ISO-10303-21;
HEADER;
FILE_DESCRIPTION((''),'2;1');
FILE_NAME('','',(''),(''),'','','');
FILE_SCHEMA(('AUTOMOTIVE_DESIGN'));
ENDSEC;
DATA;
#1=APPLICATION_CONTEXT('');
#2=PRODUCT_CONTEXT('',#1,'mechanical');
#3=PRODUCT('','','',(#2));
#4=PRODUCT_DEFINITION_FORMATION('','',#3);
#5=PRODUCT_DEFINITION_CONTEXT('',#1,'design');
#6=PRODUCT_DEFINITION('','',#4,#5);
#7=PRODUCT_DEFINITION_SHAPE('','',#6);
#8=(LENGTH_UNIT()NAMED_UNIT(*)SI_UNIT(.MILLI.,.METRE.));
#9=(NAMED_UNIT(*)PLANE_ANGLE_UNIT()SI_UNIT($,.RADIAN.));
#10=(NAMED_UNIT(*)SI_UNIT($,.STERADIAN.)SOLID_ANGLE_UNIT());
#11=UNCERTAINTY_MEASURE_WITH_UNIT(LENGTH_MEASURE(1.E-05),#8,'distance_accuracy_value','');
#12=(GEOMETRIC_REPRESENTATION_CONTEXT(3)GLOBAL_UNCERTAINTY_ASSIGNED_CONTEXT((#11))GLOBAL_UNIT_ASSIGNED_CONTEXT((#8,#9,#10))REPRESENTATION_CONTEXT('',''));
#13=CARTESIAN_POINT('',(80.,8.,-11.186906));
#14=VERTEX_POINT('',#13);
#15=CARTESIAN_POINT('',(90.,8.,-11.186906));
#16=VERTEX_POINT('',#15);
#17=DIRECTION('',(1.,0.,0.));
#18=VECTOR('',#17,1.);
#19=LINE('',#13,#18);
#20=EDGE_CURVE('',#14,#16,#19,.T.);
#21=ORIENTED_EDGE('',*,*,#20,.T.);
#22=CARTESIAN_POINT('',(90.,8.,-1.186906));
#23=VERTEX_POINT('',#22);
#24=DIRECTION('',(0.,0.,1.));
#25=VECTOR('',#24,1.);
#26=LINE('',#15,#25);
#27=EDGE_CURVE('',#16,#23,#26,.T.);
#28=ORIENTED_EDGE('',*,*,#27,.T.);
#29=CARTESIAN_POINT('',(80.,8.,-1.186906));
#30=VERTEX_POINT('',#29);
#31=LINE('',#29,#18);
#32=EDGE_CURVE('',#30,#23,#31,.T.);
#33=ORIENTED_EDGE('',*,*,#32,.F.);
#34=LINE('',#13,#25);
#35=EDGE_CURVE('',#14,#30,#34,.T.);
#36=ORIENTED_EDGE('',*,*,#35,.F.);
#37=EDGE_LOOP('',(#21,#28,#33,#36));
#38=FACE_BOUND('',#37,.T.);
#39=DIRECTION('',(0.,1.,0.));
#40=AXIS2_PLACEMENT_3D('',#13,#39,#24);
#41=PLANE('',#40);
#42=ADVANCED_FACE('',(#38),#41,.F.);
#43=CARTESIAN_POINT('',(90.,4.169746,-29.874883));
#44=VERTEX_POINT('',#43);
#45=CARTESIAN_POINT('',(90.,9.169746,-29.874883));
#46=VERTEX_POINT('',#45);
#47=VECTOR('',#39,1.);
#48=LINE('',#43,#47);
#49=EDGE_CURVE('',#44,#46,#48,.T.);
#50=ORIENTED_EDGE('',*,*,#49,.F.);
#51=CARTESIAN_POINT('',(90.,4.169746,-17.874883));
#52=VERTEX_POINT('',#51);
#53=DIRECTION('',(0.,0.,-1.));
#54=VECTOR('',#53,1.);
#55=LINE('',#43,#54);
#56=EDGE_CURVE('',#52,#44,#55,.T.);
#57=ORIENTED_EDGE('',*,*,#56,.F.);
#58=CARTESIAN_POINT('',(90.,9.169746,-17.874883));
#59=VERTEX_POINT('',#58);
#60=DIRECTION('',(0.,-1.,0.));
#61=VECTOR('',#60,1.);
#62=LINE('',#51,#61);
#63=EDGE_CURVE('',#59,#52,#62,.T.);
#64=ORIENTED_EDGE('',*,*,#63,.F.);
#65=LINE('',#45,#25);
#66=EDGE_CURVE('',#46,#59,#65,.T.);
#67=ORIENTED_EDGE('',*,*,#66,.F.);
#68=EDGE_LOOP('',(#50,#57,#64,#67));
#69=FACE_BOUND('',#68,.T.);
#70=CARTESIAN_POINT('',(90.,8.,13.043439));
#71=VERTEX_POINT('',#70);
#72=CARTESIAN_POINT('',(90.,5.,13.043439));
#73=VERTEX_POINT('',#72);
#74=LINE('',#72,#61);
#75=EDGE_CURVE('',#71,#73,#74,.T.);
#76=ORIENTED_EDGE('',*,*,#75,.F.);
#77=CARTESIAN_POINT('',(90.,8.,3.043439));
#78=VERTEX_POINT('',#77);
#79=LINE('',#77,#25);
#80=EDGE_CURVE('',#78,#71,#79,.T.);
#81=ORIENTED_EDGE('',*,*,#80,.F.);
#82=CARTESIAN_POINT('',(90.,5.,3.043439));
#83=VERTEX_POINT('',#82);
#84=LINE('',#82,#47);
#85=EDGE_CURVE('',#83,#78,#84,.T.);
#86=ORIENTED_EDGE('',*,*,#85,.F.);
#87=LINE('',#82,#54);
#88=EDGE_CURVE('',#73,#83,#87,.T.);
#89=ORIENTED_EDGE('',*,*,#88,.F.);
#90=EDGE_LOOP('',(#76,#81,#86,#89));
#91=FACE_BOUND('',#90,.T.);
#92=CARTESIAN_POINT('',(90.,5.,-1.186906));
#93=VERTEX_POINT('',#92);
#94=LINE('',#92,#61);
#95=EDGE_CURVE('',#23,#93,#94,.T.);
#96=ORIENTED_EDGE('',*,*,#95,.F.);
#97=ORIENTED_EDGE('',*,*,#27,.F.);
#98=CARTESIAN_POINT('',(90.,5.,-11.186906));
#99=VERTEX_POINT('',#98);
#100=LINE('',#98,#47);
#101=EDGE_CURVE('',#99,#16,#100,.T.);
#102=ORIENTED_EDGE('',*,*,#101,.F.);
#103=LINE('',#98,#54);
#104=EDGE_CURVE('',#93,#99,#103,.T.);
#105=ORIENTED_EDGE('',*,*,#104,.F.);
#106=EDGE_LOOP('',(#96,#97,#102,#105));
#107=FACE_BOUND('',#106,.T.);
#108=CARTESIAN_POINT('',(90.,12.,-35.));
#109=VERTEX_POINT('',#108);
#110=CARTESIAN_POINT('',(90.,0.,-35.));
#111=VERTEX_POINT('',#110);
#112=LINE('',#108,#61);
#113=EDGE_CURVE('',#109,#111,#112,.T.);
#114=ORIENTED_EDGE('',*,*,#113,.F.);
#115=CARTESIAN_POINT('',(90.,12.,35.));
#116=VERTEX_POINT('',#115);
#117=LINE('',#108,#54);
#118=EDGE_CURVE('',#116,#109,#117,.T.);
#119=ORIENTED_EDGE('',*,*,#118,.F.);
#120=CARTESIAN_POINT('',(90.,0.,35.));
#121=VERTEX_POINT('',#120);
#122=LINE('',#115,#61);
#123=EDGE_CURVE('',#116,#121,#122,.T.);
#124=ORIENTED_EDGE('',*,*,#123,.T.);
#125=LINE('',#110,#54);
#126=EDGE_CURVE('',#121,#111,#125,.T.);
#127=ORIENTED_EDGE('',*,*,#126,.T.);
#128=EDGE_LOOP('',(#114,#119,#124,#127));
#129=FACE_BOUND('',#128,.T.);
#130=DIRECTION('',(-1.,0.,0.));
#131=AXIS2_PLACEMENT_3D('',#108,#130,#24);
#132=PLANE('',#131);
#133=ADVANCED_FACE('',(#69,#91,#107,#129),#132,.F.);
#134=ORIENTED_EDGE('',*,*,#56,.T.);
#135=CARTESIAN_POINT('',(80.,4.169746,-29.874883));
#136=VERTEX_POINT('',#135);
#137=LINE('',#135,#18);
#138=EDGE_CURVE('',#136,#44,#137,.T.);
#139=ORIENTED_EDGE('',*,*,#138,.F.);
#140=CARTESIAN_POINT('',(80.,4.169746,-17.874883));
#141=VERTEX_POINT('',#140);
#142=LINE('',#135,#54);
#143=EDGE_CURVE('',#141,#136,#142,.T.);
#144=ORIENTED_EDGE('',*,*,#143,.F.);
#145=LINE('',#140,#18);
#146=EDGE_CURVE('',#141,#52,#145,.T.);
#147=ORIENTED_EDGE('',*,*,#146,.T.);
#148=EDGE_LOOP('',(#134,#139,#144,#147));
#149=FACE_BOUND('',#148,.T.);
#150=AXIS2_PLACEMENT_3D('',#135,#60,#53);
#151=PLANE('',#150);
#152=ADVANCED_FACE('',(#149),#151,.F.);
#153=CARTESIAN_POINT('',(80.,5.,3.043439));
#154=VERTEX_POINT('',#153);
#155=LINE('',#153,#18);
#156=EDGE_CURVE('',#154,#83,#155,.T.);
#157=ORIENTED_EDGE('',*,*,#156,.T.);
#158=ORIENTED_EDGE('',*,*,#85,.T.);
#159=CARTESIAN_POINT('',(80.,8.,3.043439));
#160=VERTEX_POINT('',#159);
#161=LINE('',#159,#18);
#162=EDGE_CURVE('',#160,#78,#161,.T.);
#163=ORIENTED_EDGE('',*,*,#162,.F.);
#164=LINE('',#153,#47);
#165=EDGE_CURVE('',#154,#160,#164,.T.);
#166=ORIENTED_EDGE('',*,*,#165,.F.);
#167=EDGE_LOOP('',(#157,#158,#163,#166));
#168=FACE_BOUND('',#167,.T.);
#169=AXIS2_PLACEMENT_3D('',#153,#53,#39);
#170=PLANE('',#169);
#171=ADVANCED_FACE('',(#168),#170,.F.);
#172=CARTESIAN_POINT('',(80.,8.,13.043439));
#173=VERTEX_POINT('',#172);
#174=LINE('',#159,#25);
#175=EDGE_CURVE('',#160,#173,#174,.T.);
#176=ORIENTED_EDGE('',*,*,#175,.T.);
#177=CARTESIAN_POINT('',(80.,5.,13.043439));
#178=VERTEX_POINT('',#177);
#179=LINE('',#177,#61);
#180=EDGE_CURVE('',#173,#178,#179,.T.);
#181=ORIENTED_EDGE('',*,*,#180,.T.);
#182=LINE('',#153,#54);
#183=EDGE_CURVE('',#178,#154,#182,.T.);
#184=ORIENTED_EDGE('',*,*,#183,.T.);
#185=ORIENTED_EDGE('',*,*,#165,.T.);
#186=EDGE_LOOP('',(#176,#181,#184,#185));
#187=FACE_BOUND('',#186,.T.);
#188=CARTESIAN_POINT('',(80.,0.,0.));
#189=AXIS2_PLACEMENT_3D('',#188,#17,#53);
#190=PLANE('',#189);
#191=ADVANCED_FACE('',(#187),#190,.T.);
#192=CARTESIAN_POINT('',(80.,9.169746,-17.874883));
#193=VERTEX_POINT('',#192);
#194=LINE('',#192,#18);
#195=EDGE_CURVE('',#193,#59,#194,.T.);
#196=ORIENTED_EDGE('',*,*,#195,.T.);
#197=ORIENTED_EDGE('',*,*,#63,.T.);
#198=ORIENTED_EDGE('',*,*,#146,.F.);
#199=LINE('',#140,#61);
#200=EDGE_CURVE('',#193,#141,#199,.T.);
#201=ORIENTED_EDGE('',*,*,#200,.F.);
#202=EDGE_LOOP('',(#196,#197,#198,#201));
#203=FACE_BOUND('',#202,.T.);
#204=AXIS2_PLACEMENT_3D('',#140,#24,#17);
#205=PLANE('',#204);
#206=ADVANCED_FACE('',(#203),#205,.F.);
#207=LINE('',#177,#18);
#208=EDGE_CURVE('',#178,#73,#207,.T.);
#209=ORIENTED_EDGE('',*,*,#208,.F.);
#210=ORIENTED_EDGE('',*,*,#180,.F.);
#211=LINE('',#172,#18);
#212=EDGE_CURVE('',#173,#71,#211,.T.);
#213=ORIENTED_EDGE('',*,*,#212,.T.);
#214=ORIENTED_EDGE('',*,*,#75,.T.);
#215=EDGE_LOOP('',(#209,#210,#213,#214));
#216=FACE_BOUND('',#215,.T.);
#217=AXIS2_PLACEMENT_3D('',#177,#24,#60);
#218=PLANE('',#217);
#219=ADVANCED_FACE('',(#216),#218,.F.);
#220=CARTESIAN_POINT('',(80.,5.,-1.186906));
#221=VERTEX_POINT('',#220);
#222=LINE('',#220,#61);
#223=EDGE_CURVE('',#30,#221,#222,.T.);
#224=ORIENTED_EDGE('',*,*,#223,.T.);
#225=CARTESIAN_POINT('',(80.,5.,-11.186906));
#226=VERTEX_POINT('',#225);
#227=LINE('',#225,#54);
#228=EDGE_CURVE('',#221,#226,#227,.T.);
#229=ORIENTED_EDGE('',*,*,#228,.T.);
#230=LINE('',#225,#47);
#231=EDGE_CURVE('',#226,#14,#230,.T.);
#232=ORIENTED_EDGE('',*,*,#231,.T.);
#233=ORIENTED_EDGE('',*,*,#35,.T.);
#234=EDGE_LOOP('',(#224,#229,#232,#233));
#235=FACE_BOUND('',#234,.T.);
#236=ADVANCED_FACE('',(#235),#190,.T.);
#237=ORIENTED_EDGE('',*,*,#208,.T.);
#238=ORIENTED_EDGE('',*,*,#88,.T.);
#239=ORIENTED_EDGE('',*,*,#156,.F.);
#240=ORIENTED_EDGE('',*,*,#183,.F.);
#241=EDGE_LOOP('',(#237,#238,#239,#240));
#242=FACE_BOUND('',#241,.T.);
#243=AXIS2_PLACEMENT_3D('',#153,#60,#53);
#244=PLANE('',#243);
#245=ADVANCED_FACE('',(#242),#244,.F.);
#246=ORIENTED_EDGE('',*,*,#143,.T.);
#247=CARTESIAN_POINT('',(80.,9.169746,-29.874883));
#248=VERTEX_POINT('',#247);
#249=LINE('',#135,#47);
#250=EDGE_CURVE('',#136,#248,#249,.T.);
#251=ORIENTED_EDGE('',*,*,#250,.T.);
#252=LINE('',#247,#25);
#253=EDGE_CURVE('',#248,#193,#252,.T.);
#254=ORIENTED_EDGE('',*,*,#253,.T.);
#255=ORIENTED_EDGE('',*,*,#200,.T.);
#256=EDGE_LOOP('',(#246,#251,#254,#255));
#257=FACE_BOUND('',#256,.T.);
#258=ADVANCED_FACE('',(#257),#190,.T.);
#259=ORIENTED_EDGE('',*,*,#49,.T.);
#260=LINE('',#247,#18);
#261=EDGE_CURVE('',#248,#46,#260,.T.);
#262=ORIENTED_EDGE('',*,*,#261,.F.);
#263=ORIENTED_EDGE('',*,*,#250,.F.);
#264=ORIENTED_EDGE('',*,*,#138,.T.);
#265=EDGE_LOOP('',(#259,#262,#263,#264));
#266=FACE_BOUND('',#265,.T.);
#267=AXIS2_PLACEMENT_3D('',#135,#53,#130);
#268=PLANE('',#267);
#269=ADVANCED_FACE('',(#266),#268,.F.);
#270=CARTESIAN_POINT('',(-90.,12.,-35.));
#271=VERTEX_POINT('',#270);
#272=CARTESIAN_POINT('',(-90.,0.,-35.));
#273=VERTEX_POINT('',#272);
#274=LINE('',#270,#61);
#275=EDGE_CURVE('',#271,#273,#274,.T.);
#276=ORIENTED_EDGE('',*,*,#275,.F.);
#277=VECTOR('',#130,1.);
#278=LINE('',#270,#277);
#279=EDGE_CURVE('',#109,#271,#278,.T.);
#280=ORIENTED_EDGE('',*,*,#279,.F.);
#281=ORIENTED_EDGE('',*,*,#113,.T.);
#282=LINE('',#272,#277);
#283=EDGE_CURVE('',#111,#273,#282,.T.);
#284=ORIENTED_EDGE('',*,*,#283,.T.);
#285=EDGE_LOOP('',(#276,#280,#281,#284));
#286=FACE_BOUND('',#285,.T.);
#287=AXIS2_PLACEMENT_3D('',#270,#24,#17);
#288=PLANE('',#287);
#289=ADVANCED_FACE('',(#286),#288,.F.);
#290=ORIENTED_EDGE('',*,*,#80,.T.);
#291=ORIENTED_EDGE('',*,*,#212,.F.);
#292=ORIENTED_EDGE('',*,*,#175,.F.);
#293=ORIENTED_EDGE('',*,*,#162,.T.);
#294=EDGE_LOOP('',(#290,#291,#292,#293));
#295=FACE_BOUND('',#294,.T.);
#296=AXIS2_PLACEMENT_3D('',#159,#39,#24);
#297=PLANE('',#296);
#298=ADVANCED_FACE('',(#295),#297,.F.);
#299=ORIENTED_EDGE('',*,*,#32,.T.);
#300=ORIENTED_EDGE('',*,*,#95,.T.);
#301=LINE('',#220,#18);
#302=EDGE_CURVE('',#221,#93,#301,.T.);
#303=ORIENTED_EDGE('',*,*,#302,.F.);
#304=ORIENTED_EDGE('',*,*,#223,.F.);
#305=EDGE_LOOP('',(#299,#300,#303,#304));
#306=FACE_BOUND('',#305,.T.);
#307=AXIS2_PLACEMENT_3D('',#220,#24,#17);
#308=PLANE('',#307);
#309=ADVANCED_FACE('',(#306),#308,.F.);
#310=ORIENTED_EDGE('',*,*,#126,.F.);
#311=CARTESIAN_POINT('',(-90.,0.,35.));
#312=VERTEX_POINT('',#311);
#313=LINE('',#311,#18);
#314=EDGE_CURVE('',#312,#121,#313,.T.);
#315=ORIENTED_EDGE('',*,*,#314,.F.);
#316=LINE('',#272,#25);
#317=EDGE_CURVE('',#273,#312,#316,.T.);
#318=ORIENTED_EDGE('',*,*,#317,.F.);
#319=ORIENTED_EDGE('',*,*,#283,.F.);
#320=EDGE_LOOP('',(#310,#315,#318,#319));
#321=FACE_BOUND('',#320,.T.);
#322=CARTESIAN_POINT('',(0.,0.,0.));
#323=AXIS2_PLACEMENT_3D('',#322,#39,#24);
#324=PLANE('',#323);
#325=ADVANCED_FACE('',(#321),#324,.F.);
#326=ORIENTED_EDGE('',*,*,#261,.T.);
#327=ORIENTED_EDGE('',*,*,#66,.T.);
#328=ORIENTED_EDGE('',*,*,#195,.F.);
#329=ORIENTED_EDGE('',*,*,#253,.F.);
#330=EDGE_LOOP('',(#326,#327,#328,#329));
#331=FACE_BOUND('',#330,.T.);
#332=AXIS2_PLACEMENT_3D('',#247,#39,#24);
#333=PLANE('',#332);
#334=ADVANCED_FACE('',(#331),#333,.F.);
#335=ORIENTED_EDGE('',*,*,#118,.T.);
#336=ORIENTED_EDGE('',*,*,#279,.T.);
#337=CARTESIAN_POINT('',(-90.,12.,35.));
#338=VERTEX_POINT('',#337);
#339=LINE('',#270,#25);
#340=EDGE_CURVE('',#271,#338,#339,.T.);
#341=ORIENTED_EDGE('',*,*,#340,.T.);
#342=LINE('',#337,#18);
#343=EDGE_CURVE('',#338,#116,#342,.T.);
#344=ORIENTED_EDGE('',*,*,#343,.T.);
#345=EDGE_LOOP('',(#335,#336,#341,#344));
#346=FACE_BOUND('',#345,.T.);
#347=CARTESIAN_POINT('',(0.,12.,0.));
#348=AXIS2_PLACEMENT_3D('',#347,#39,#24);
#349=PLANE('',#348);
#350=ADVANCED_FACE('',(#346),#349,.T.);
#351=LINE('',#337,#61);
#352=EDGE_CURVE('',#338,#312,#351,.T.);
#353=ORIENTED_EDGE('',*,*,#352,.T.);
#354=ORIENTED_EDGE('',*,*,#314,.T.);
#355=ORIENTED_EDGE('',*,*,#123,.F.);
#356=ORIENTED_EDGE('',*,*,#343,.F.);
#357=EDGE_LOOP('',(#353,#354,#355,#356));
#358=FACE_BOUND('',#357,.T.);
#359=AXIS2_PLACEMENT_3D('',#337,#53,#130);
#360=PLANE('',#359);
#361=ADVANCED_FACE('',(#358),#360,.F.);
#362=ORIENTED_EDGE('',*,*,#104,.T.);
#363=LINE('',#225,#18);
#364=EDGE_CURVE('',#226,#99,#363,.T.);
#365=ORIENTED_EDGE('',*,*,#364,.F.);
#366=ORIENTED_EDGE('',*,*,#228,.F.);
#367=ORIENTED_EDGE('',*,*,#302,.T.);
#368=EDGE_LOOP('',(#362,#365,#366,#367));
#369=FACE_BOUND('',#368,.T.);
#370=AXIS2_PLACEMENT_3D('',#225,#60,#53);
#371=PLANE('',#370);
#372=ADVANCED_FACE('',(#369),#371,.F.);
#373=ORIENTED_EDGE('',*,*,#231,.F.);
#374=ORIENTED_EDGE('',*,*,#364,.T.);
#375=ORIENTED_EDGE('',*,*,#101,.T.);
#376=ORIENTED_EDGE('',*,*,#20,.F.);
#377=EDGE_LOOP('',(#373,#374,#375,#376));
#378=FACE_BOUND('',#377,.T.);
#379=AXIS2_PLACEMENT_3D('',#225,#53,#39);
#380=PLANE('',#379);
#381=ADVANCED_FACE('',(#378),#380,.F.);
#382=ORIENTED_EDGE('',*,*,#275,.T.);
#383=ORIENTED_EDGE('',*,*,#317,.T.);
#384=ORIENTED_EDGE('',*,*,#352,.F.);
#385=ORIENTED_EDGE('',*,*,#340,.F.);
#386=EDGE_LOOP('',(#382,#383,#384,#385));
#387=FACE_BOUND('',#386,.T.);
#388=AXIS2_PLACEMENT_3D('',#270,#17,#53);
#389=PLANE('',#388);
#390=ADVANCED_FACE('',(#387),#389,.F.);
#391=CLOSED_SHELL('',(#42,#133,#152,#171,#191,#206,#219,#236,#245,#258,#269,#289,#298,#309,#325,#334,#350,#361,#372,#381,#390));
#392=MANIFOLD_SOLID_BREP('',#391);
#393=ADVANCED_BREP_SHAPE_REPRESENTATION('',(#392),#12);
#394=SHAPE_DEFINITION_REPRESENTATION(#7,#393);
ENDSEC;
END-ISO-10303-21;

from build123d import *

# Parameters (mm, degrees)
SKETCH1_W           = 180
SKETCH1_H           = 70
BOSS_EXTRUDE1_DEPTH = 12
SKETCH2_W           = 12
SKETCH2_H           = 5
SKETCH2_W_2         = 10
SKETCH2_H_2         = 3
CUT_EXTRUDE1_DEPTH  = 10


with BuildPart() as part:
    # Sketch1 → Boss-Extrude1 (new body)
    with BuildSketch(Plane(origin=(0, 0, 0), x_dir=(1, 0, 0), z_dir=(0, 1, 0))):
        Rectangle(SKETCH1_W, SKETCH1_H)
    extrude(amount=BOSS_EXTRUDE1_DEPTH)

    # Sketch2 → Cut-Extrude1 (cut)
    with BuildSketch(Plane(origin=(90, 0, 0), x_dir=(0, 0, -1), z_dir=(1, 0, 0))):
        with Locations((23.874882844, 6.669745757)):
            Rectangle(SKETCH2_W, SKETCH2_H)
        with Locations((6.186906041, 6.5)):
            Rectangle(SKETCH2_W_2, SKETCH2_H_2)
        with Locations((-8.043438812, 6.5)):
            Rectangle(SKETCH2_W_2, SKETCH2_H_2)
    extrude(amount=-CUT_EXTRUDE1_DEPTH, mode=Mode.SUBTRACT)


solid = part.part
